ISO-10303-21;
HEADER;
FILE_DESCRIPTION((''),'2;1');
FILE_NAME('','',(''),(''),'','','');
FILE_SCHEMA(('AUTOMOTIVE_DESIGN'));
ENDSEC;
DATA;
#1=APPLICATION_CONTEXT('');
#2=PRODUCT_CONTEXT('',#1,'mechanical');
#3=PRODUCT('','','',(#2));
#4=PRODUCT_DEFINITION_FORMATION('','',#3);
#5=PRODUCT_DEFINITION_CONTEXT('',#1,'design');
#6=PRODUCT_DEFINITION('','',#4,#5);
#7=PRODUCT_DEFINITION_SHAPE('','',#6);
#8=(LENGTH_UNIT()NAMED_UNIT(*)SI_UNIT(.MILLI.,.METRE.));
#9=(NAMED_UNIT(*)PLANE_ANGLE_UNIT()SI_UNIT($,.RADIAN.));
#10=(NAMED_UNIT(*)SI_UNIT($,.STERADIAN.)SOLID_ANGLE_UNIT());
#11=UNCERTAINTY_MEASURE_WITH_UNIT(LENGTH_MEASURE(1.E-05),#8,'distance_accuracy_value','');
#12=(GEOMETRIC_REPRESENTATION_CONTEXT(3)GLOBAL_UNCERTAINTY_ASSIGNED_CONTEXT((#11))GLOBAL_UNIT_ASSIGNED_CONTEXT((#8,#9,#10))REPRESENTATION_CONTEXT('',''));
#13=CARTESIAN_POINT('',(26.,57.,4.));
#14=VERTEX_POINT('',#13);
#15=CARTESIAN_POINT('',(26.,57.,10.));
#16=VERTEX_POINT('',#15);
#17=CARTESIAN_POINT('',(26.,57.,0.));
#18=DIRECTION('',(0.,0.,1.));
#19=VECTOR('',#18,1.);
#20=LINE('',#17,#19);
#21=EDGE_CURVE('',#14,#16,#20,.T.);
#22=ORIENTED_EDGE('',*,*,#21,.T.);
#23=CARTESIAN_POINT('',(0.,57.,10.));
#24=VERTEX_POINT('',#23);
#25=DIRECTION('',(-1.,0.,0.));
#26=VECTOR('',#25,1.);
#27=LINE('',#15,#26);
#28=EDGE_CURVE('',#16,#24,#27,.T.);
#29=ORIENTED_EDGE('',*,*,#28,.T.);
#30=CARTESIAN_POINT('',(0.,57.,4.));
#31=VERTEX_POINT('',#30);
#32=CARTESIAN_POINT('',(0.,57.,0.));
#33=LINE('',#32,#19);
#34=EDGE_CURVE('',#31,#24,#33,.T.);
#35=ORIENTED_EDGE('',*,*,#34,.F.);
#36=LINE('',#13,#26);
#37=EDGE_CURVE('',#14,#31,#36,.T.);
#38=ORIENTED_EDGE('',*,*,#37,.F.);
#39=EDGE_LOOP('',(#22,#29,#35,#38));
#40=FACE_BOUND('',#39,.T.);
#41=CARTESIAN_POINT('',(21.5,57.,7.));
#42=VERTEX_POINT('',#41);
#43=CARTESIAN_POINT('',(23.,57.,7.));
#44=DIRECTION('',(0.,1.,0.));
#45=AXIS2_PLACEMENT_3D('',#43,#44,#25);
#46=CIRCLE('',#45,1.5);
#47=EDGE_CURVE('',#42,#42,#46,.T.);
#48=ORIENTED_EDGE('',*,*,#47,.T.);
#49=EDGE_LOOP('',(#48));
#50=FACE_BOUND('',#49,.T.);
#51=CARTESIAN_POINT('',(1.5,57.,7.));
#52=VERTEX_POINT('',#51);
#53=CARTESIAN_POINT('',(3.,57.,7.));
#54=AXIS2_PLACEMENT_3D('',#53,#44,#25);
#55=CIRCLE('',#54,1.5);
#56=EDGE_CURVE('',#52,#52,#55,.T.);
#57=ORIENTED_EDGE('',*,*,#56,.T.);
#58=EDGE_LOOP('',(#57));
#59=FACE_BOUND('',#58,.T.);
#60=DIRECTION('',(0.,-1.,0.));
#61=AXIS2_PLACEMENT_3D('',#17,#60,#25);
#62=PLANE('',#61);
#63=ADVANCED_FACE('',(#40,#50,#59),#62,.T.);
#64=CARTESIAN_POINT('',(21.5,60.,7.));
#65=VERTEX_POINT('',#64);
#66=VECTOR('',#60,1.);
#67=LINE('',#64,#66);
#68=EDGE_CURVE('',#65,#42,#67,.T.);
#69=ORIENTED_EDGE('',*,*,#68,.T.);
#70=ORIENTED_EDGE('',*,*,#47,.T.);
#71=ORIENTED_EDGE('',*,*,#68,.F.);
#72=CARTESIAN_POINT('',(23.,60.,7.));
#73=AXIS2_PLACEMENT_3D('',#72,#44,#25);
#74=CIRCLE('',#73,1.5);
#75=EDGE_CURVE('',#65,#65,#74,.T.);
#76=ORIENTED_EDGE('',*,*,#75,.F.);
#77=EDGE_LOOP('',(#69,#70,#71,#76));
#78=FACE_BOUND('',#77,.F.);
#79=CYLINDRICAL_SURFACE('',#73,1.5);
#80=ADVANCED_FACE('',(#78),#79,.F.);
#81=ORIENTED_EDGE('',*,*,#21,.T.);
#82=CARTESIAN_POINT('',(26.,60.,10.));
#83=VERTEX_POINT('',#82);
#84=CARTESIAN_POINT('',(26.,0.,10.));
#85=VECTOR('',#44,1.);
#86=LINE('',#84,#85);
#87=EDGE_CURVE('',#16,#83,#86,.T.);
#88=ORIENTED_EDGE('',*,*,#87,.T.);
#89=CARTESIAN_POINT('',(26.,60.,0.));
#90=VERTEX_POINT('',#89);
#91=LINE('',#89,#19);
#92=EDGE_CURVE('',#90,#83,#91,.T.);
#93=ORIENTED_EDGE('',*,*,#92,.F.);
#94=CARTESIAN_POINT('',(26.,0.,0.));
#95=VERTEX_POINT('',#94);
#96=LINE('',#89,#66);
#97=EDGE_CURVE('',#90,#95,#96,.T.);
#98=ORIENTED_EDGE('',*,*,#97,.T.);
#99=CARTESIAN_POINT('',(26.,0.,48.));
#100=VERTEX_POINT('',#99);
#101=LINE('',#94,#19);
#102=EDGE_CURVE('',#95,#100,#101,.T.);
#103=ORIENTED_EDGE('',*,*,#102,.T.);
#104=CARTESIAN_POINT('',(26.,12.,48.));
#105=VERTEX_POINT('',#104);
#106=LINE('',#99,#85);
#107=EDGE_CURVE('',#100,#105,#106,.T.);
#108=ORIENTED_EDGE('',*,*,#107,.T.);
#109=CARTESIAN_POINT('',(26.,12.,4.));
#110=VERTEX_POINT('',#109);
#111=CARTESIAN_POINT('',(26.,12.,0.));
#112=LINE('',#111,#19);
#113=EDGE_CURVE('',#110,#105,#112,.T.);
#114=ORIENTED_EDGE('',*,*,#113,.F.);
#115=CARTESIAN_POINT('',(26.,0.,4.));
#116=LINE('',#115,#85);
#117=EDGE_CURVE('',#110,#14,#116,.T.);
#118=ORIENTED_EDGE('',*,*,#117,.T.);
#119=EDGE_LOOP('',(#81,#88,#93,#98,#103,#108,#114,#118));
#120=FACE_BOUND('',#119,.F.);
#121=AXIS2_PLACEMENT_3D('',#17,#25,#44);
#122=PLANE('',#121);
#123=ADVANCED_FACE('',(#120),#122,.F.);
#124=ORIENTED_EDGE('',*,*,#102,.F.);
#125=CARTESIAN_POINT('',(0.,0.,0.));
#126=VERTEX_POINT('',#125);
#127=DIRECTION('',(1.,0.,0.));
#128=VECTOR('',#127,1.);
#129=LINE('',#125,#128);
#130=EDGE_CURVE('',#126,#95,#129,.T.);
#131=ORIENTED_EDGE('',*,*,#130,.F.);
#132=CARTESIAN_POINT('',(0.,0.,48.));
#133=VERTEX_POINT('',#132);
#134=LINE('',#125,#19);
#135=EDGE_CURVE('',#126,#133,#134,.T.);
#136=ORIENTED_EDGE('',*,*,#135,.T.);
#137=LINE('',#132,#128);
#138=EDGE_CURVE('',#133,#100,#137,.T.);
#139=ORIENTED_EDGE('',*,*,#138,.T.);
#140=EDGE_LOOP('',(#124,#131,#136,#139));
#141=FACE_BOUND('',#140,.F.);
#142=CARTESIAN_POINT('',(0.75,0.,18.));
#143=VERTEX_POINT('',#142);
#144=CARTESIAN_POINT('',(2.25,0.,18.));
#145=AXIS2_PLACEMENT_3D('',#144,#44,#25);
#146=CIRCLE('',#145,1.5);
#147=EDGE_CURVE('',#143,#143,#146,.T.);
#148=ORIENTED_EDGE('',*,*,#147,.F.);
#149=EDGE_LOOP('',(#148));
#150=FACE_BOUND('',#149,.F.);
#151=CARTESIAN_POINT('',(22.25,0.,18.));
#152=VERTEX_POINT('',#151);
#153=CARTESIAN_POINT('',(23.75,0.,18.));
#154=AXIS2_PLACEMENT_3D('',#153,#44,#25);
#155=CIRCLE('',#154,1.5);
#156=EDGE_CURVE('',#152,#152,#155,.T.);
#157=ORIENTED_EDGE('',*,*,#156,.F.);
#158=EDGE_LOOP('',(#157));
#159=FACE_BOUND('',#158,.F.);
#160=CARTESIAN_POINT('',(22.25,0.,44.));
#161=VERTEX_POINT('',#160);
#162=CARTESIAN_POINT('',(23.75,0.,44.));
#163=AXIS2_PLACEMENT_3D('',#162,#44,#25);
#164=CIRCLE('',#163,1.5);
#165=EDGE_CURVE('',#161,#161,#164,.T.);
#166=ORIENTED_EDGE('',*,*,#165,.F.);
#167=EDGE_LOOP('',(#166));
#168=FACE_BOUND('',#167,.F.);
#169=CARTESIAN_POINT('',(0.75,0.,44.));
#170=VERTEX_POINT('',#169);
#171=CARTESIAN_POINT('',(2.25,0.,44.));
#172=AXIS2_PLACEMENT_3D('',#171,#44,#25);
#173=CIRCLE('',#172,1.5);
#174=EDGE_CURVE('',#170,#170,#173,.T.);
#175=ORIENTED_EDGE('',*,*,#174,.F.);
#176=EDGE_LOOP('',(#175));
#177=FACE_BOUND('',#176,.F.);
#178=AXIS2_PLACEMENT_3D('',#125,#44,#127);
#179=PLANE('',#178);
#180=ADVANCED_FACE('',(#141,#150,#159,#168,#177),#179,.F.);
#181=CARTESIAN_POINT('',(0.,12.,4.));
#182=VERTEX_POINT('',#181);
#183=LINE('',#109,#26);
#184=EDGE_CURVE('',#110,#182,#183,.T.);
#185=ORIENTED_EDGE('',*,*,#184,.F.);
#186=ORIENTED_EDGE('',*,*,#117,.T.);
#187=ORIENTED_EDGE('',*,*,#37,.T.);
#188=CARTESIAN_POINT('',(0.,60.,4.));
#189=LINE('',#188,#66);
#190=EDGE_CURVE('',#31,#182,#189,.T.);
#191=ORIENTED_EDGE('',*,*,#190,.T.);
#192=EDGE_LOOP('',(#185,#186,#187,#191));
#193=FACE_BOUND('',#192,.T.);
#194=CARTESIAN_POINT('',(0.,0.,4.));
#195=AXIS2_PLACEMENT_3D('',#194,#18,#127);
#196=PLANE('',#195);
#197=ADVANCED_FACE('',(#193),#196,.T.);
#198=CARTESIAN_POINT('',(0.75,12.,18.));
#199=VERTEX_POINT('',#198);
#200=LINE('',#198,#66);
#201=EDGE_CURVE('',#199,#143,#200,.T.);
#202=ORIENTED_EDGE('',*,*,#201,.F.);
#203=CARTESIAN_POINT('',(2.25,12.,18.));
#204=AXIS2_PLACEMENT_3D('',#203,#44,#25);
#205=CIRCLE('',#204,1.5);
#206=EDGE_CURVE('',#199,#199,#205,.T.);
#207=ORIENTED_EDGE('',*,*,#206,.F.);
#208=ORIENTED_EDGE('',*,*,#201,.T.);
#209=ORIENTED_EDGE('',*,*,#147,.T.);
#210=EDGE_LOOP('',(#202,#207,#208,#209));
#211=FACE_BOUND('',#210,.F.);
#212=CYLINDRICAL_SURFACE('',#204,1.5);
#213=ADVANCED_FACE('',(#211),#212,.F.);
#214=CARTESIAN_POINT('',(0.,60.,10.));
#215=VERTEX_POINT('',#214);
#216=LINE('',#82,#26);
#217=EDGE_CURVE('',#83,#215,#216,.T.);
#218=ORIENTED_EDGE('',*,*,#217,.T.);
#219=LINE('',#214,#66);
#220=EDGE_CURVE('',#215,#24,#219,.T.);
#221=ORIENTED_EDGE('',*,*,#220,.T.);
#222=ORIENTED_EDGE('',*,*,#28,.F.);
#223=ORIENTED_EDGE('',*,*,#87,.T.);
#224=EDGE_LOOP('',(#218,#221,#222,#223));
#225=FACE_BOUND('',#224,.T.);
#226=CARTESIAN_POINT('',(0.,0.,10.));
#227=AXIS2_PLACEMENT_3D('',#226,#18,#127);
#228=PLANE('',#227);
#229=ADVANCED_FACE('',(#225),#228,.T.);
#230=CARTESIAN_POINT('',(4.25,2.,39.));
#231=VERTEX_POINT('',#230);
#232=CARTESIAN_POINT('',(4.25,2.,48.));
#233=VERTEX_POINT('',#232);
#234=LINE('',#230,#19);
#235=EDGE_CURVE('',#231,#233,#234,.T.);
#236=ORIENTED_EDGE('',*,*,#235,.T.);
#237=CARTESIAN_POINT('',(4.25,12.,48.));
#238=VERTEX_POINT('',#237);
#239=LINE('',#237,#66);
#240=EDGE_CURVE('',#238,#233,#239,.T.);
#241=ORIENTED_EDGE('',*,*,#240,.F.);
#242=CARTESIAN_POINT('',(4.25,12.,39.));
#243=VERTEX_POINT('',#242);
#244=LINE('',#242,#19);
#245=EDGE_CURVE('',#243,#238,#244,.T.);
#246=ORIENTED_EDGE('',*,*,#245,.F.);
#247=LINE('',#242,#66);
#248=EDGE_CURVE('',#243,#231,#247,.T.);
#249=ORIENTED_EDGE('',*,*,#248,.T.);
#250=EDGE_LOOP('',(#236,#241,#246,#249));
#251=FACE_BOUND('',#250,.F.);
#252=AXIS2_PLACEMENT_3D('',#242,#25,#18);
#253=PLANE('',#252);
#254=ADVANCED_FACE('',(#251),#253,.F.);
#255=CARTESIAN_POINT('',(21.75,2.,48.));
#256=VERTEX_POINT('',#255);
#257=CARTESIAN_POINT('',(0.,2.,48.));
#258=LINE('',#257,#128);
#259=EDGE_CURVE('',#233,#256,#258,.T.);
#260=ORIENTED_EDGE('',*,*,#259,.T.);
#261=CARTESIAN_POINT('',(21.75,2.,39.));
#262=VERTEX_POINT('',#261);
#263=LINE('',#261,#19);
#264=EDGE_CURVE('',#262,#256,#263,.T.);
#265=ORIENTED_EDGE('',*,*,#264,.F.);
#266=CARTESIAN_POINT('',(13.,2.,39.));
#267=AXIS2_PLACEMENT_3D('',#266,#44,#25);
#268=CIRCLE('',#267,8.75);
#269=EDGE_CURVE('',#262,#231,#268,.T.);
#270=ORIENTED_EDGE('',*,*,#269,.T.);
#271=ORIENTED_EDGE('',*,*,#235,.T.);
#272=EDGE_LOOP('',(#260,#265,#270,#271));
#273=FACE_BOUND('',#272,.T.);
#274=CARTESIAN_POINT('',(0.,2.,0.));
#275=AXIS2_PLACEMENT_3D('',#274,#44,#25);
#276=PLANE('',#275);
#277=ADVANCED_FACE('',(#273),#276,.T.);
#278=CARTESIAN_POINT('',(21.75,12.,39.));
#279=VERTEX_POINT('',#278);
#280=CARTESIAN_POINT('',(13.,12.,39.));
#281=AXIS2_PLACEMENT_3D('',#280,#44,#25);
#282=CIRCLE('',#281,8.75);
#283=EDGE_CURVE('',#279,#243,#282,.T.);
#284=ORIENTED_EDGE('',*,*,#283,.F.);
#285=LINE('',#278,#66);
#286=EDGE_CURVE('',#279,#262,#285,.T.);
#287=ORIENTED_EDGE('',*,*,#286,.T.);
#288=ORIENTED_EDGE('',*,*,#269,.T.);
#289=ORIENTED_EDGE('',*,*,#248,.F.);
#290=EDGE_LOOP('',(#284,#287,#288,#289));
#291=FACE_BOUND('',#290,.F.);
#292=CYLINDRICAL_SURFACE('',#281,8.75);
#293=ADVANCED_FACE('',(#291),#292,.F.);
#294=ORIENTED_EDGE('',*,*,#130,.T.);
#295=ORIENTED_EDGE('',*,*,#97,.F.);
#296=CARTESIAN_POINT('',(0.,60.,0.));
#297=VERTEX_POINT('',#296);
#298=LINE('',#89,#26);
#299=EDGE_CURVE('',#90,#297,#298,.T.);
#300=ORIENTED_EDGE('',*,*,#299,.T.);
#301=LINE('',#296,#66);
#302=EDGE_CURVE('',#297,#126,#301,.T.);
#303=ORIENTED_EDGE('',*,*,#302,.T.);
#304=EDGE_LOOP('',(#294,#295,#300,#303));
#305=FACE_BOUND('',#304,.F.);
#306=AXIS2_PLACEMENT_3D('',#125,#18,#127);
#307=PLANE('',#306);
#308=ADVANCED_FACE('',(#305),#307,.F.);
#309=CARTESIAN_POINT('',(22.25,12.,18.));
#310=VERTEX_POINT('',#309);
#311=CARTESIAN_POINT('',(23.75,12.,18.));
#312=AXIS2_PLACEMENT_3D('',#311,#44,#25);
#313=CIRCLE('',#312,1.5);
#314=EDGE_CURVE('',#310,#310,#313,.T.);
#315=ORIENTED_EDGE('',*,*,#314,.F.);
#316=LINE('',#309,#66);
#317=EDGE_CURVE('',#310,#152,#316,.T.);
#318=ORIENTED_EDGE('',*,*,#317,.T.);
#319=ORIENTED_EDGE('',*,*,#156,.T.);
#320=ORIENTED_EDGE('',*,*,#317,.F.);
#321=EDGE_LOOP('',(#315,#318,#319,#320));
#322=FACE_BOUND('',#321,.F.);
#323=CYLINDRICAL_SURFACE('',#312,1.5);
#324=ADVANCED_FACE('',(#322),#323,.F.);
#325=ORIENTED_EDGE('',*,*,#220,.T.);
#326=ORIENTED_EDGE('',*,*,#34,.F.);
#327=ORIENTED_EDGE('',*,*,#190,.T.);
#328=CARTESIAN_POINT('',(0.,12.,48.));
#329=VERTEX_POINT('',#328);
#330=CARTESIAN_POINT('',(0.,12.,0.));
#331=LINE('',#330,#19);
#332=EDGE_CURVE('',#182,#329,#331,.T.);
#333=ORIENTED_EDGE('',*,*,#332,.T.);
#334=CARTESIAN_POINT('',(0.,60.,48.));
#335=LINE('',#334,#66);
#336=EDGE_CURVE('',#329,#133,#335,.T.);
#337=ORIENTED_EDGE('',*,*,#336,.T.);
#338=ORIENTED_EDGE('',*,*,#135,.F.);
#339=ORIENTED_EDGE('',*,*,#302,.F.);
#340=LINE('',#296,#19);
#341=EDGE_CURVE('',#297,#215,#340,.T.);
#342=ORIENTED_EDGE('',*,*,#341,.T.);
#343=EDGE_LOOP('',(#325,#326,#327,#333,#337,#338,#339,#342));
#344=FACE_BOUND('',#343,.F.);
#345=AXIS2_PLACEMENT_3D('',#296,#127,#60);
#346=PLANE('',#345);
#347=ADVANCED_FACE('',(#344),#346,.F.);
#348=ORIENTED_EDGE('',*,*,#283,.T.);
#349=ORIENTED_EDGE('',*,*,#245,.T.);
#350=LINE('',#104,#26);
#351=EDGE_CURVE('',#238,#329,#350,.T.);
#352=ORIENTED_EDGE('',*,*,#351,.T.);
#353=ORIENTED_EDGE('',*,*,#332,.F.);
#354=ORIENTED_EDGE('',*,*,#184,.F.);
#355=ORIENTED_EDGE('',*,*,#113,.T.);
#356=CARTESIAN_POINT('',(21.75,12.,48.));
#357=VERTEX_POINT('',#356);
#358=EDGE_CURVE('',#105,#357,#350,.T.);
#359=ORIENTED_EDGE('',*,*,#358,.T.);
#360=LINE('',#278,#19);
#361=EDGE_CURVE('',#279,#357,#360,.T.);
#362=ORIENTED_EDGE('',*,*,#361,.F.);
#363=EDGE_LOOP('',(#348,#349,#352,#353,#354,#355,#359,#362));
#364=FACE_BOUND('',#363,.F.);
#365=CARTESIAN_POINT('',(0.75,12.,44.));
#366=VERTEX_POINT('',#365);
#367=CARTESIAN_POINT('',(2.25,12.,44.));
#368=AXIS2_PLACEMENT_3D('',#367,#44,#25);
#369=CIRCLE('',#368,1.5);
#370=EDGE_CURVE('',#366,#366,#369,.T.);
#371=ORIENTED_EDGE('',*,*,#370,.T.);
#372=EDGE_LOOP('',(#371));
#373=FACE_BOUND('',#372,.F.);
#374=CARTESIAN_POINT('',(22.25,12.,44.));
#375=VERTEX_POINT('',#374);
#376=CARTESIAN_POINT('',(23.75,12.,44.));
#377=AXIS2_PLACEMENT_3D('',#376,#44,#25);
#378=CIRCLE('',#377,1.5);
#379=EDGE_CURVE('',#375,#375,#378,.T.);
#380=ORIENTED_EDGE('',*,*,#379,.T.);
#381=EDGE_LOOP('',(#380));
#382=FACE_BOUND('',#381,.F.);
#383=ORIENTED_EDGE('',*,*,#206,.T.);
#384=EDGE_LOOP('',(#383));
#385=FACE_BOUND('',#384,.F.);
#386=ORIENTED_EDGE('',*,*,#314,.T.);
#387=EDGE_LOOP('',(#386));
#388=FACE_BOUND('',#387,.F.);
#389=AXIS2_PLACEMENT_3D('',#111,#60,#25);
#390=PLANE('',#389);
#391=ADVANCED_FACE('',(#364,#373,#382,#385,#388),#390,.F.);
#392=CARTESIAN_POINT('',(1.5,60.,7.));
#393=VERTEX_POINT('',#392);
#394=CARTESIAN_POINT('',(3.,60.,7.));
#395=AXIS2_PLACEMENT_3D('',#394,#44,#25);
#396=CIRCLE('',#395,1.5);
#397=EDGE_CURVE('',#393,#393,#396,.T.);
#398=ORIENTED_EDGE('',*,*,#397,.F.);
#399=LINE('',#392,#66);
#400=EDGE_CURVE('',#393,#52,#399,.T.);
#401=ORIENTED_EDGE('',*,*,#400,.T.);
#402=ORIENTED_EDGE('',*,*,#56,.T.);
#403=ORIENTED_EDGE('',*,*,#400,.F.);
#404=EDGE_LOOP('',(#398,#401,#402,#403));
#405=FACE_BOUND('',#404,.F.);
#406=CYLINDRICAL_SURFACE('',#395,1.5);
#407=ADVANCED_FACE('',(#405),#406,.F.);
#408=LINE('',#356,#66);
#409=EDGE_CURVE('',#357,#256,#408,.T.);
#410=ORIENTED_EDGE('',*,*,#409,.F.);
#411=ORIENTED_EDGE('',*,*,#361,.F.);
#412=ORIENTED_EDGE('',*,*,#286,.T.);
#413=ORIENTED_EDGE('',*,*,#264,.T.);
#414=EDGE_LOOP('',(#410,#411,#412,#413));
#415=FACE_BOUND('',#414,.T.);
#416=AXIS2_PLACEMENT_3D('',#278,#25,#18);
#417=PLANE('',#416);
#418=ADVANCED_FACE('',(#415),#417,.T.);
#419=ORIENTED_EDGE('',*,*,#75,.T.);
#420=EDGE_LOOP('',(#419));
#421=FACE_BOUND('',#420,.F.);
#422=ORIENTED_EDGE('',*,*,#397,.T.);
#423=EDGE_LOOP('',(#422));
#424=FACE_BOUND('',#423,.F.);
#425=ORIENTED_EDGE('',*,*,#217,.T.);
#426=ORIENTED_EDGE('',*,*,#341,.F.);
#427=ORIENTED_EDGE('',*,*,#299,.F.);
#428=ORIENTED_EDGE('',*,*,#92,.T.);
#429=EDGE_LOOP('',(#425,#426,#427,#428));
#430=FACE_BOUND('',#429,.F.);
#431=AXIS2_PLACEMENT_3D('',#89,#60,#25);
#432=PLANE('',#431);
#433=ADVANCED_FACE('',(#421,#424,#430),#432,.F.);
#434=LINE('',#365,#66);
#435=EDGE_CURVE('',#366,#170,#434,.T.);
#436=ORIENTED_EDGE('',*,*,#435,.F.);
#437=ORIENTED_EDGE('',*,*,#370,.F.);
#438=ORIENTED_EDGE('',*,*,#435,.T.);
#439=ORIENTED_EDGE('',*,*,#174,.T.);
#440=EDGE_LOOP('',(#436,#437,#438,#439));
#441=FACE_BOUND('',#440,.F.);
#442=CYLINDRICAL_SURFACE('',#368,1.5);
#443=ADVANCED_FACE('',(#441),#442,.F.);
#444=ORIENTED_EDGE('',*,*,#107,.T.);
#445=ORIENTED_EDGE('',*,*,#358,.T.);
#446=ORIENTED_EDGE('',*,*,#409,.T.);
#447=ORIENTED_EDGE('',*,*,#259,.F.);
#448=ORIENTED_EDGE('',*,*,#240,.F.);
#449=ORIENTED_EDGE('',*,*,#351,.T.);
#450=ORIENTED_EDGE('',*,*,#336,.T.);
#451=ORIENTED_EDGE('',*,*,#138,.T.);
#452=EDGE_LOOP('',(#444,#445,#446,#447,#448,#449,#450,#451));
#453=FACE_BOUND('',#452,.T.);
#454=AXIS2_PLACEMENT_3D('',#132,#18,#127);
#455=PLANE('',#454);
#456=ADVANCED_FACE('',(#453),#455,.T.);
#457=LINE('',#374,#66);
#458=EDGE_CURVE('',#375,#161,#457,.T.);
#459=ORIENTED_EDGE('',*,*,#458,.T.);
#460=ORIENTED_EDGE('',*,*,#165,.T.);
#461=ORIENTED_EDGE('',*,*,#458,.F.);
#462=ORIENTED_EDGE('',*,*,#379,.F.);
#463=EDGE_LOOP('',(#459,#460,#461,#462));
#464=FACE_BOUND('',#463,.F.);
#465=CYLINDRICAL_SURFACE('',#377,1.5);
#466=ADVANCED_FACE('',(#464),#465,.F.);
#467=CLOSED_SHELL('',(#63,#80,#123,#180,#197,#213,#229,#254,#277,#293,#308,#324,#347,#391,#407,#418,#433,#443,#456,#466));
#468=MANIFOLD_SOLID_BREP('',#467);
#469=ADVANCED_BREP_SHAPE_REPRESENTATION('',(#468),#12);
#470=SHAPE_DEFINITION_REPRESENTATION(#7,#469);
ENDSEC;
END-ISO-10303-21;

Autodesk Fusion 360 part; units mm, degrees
sketch "Sketch1" plane through (0, 0, 0) normal (0, 0, 1) x (1, 0, 0)
  line L0 (0, 0) -> (26, 0)
  line L1 (26, 0) -> (26, 60)
  line L2 (26, 60) -> (0, 60)
  line L3 (0, 60) -> (0, 0)
  line L4 (0, 0) -> (26, 0)
  line L5 (26, 0) -> (26, 12)
  line L6 (26, 12) -> (0, 12)
  line L7 (0, 12) -> (0, 0)
  line L8 (0, 60) -> (26, 60)
  line L9 (26, 60) -> (26, 57)
  line L10 (26, 57) -> (0, 57)
  line L11 (0, 57) -> (0, 60)
  dimension "d1" = 26
  dimension "d2" = 60
  dimension "d16" = 48
  dimension "d43" = 3
extrude "Extrude1" add sketch "Sketch1" along normal blind 4 contours L1 L3 L6 L10
extrude "Extrude2" add sketch "Sketch1" along normal blind 48 contours L0 L1 L3 L4 L5 L6 L7
extrude "Extrude6" add sketch "Sketch1" along normal blind 10 contours L1 L2 L3 L8 L9 L10 L11
sketch "Sketch2" plane through (0, 12, 0) normal (0, 1, 0) x (-1, 0, 0)
  line L0 (-26, 4) -> (0, 4)
  line L1 (0, 4) -> (0, 48)
  line L2 (0, 48) -> (-26, 48)
  line L3 (-26, 48) -> (-26, 4)
  circle A0 centre (-13, 39) radius 8.75
  line L4 (-21.75, 39) -> (-21.75, 48)
  line L5 (-4.25, 39) -> (-4.25, 48)
  dimension "d17" = 17.5
  dimension "d27" = 13
  dimension "d28" = 4.25
  dimension "d46" = 35
extrude "Extrude3" cut sketch "Sketch2" against normal blind 10 contours L2 A0 L4 L5 | A0
sketch "Sketch3" plane through (0, 12, 0) normal (0, 1, 0) x (-1, 0, 0)
  line L0 (-26, 4) -> (0, 4)
  line L1 (0, 4) -> (0, 48)
  line L2 (-21.75, 48) -> (-26, 48)
  line L3 (-26, 48) -> (-26, 4)
  line L4 (-21.75, 39) -> (-21.75, 48)
  line L5 (0, 48) -> (-4.25, 48)
  line L6 (-4.25, 48) -> (-4.25, 39)
  arc A0 (-21.75, 39) -> (-4.25, 39) centre (-13, 39) ccw
  circle A1 centre (-23.75, 44) radius 1.5
  circle A2 centre (-2.25, 44) radius 1.5
  circle A3 centre (-23.75, 18) radius 1.5
  circle A4 centre (-2.25, 18) radius 1.5
  dimension "d29" = 3
  dimension "d30" = 2.25
  dimension "d31" = 3
  dimension "d32" = 2.25
  dimension "d33" = 3
  dimension "d34" = 3
  dimension "d35" = 2.25
  dimension "d36" = 2.25
  dimension "d37" = 4
  dimension "d38" = 4
  dimension "d57" = 30
  dimension "d58" = 30
extrude "Extrude5" cut sketch "Sketch3" against normal blind 13 contours A1 | A2 | A3 | A4
sketch "Sketch4" plane through (0, 60, 0) normal (0, 1, 0) x (-1, 0, 0)
  line L0 (-26, 0) -> (0, 0)
  line L1 (0, 0) -> (0, 10)
  line L2 (0, 10) -> (-26, 10)
  line L3 (-26, 10) -> (-26, 0)
  circle A0 centre (-3, 7) radius 1.5
  circle A1 centre (-23, 7) radius 1.5
  dimension "d49" = 3
  dimension "d50" = 3
  dimension "d51" = 3
  dimension "d52" = 3
  dimension "d53" = 3
  dimension "d54" = 3
extrude "Extrude7" cut sketch "Sketch4" against normal blind 4 contours A0 | A1
